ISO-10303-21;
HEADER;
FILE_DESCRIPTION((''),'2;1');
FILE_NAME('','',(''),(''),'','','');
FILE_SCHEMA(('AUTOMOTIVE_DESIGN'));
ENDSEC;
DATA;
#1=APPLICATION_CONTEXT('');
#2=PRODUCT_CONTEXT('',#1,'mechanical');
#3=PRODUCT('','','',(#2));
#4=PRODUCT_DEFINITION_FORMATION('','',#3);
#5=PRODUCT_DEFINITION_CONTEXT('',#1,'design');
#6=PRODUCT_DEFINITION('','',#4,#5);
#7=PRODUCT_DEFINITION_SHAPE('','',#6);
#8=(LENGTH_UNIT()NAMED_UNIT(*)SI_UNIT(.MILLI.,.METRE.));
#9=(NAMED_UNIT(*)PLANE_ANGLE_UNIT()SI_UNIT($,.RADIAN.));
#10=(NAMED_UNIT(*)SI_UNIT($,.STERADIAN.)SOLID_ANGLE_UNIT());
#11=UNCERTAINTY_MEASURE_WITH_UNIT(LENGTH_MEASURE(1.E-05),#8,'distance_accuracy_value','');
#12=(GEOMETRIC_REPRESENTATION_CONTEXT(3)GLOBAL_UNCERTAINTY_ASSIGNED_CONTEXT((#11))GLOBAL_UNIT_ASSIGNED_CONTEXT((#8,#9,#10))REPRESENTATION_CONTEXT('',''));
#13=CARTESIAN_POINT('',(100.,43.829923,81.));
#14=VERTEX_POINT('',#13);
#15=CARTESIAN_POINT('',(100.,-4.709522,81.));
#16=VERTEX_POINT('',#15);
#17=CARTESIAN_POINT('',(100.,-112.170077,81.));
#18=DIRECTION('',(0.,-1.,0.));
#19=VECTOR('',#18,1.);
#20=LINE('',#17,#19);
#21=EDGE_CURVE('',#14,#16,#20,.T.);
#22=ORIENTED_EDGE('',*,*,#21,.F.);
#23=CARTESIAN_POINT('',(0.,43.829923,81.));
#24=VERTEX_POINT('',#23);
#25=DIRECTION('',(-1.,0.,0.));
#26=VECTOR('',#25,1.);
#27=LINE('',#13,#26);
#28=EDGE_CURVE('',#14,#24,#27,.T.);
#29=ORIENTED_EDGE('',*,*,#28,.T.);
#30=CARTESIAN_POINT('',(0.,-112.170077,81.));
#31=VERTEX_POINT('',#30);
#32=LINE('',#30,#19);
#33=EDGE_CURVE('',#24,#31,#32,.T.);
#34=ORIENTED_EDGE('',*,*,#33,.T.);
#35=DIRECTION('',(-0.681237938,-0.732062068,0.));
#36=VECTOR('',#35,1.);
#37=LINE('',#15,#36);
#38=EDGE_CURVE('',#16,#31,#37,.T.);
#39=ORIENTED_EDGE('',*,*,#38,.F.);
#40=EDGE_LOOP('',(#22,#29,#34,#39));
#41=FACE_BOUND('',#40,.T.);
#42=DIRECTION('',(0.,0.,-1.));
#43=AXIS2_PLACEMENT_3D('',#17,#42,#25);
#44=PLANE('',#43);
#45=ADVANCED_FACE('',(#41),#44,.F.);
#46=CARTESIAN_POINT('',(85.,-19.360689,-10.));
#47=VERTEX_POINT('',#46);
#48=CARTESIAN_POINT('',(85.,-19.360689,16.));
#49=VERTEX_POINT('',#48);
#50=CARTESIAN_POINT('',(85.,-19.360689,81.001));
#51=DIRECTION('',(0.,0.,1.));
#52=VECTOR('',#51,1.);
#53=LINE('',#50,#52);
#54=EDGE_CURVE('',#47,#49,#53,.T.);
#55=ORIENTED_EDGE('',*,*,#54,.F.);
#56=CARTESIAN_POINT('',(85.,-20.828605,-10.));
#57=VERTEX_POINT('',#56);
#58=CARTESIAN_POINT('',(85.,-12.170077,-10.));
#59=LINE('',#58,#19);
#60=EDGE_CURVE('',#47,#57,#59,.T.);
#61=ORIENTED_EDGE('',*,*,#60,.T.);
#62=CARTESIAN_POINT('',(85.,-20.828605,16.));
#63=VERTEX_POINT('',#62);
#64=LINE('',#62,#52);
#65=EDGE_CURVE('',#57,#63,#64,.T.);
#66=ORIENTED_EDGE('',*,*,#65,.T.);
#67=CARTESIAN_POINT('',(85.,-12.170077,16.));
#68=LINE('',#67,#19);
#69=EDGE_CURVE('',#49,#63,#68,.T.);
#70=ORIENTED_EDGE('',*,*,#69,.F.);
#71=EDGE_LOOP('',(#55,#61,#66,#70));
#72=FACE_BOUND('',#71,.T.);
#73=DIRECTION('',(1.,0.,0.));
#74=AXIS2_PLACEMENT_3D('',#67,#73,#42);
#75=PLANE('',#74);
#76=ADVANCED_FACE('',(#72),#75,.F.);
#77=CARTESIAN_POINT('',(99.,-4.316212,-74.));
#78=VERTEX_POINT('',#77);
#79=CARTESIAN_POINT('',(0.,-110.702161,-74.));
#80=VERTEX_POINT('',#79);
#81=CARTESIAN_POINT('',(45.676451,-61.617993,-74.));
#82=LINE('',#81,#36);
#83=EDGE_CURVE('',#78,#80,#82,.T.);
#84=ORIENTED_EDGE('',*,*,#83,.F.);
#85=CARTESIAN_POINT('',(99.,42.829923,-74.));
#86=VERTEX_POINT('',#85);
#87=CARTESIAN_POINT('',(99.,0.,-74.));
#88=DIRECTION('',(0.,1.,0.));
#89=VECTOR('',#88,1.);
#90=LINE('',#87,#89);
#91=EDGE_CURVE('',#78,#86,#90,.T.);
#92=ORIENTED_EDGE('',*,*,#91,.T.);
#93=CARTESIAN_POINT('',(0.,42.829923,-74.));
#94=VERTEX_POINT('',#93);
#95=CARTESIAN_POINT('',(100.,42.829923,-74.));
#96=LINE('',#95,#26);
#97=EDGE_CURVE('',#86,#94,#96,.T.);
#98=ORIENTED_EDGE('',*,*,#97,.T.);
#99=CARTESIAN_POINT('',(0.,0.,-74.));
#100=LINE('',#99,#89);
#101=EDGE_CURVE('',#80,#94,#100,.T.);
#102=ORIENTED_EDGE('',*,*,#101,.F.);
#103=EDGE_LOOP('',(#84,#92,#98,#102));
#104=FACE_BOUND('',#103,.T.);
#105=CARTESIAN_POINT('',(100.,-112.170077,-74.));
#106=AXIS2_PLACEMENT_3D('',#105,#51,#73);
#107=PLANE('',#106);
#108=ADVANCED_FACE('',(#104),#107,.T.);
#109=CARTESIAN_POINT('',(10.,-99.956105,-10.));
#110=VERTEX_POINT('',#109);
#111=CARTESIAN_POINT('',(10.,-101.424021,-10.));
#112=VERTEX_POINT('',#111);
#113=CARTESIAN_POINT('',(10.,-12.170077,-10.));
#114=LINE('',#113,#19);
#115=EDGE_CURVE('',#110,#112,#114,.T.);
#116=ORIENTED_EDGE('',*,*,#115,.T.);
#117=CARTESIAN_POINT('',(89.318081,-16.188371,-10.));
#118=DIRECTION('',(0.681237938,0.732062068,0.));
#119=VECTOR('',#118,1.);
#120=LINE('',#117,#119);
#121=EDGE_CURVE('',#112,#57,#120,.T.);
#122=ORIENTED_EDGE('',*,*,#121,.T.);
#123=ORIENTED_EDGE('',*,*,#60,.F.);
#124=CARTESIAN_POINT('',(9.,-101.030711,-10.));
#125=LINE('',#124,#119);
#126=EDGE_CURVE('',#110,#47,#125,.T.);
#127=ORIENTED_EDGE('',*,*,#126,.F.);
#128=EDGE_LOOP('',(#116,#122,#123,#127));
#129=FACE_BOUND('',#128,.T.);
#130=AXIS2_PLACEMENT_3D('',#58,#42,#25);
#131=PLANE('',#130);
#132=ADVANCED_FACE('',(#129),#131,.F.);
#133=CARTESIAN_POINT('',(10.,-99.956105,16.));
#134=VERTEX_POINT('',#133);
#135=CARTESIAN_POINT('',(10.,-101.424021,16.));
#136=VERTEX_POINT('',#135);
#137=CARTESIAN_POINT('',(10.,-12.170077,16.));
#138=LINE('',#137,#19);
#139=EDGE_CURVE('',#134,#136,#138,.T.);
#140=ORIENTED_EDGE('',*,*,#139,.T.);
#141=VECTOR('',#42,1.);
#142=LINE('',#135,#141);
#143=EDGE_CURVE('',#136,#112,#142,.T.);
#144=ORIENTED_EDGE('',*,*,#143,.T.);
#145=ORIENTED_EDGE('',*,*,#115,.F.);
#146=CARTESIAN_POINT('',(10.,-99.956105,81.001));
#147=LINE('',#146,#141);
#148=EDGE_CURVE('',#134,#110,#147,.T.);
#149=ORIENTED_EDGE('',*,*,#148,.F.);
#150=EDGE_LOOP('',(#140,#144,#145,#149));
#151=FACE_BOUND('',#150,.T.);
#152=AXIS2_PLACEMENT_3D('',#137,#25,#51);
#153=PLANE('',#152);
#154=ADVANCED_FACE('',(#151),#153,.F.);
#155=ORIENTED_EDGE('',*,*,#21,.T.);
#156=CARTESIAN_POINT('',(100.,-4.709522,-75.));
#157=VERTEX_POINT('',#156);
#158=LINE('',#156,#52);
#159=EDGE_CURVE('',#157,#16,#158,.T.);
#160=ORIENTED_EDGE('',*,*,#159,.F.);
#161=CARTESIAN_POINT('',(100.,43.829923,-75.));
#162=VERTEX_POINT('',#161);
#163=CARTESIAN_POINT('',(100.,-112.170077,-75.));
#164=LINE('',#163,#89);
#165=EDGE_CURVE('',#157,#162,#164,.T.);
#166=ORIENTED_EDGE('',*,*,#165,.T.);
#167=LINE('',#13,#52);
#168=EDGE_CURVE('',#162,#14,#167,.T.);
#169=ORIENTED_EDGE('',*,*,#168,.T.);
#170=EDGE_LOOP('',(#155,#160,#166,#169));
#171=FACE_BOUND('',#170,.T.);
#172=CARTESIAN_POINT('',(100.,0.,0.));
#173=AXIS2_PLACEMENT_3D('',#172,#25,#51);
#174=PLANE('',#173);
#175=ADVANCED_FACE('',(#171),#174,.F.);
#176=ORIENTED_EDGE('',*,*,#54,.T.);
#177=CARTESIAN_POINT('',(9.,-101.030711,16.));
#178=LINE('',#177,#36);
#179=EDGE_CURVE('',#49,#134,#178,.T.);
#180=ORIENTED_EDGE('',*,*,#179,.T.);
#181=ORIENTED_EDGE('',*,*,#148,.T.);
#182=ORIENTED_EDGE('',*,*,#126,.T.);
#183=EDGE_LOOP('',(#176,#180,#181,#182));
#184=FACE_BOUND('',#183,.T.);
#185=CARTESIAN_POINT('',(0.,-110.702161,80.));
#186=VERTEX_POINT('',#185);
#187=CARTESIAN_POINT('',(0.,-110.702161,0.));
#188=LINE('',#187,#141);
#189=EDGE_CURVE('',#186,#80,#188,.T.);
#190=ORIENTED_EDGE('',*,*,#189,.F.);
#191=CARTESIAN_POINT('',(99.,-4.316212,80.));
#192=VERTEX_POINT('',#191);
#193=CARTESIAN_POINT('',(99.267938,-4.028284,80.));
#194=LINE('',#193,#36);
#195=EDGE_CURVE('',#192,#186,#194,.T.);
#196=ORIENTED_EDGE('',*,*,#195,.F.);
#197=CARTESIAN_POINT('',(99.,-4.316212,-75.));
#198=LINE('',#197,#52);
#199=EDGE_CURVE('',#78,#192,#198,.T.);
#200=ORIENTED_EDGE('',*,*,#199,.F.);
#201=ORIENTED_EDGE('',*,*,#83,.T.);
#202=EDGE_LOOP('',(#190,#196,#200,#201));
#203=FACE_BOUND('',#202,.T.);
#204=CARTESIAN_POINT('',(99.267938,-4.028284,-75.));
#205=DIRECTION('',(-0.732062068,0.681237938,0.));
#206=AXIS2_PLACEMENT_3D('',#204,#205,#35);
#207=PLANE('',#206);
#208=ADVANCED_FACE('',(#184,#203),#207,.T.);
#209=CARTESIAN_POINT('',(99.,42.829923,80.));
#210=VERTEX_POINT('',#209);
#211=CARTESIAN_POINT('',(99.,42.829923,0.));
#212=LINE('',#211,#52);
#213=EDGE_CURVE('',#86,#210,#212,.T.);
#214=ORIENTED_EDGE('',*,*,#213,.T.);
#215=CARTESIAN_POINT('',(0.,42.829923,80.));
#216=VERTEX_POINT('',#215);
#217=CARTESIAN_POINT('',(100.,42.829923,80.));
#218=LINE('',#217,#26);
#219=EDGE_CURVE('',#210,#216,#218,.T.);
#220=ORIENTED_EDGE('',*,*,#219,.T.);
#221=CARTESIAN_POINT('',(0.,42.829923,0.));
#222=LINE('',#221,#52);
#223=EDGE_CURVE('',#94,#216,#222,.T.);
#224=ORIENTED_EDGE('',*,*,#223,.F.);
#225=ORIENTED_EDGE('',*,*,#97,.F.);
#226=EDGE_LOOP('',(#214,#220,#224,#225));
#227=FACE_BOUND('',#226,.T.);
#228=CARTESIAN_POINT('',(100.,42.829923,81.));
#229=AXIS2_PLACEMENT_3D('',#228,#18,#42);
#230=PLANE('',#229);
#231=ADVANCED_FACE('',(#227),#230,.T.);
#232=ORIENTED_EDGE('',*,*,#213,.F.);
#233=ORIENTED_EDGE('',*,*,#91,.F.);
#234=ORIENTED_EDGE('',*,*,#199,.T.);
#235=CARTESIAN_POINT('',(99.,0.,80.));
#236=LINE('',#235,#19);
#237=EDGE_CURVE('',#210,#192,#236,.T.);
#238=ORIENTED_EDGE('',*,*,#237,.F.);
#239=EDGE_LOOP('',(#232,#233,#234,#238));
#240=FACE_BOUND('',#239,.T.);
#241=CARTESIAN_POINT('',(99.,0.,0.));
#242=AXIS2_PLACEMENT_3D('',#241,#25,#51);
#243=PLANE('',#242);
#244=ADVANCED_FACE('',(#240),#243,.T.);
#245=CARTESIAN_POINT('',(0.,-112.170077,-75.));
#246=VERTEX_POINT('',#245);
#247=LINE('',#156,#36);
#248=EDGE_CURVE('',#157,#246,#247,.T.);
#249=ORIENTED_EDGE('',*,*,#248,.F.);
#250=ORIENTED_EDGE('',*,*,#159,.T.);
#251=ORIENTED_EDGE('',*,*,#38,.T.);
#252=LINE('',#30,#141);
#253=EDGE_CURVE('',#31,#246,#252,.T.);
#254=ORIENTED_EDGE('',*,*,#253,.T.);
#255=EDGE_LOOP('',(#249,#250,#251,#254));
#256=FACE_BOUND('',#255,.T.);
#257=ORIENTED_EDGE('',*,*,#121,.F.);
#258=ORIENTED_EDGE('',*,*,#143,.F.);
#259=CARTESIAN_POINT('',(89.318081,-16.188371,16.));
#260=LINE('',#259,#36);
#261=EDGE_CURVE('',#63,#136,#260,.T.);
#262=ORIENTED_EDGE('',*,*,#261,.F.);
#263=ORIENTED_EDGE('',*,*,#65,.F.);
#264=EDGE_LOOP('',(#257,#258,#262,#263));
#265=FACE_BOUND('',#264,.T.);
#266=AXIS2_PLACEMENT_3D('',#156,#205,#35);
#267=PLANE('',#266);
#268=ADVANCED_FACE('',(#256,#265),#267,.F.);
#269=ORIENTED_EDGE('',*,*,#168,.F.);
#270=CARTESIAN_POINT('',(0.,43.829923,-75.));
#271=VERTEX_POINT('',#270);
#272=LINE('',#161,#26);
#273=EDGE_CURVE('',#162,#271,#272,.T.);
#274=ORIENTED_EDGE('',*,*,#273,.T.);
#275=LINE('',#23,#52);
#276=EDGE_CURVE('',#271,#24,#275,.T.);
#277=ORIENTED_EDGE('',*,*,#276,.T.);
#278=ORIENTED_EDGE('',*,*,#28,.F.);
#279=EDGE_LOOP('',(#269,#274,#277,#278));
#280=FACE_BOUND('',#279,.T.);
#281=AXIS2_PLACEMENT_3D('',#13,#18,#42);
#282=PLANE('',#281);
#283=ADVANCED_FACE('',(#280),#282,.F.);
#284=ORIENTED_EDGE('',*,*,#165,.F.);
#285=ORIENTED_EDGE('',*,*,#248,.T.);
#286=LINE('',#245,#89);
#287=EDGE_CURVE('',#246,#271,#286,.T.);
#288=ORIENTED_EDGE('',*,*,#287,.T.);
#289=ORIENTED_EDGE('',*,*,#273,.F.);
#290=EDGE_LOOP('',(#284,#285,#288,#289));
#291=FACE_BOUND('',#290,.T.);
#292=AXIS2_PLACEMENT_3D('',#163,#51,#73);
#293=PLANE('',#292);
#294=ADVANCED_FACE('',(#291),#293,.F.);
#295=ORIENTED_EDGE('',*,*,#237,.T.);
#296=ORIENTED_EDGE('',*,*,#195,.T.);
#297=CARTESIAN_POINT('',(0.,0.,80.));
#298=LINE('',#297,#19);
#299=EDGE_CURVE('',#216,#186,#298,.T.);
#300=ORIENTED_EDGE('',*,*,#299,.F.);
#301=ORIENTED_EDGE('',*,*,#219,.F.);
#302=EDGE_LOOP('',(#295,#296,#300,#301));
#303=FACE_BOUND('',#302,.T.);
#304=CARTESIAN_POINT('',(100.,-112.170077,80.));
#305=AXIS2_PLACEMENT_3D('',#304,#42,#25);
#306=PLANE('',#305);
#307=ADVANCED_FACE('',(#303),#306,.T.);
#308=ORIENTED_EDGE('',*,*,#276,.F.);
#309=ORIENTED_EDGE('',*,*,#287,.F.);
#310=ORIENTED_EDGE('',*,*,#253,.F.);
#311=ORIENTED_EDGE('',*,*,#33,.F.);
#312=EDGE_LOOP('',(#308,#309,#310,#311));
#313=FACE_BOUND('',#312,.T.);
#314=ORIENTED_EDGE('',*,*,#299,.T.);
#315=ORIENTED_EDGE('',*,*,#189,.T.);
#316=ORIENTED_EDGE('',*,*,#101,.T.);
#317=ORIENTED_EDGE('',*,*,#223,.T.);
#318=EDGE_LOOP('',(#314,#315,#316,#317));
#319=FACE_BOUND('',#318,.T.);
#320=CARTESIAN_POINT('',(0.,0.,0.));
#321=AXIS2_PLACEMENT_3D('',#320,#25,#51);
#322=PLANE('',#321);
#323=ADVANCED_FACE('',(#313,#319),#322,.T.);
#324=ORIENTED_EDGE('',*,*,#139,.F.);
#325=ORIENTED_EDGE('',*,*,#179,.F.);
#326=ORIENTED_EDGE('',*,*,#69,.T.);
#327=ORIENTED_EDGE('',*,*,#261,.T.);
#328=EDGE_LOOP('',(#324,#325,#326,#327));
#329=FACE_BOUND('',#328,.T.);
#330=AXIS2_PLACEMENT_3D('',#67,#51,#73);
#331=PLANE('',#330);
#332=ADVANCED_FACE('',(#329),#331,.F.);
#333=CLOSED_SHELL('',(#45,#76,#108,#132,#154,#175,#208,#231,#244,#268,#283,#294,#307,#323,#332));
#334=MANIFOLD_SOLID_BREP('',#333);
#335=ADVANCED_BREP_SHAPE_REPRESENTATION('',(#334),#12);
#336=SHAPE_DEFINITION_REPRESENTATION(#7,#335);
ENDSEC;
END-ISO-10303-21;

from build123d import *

# Parameters (mm, degrees)
ESQUISSE1_W              = 156
ESQUISSE1_H              = 156
BOSS_EXTRU_3_DEPTH       = 100
ESQUISSE5_W              = 75
ESQUISSE5_H              = 26
ENL_V_MAT_EXTRU_4_DEPTH  = 100
ENL_V_MAT_EXTRU_11_DEPTH = 217.60592354
COQUE6_T                 = -1
ENL_V_MAT_EXTRU_12_REACH = 178.199


with BuildPart() as part:
    # Esquisse1 → Boss.-Extru.3 (new body)
    with BuildSketch(Plane(origin=(0, 0, 0), x_dir=(0, 0, -1), z_dir=(1, 0, 0))):
        with Locations((-3, -34.170076726)):
            Rectangle(ESQUISSE1_W, ESQUISSE1_H)
    extrude(amount=BOSS_EXTRU_3_DEPTH)

    # Esquisse5 → Enlèv. mat.-Extru.4 (cut)
    with BuildSketch(Plane.XZ.offset(112.170076726)):
        with Locations((47.5, 3)):
            Rectangle(ESQUISSE5_W, ESQUISSE5_H)
    extrude(amount=-ENL_V_MAT_EXTRU_4_DEPTH, mode=Mode.SUBTRACT)

    # Esquisse8 → Enlèv. mat.-Extru.11 (cut, through all)
    with BuildSketch(Plane.XY.offset(81)):
        Polygon((100, -4.709521913), (0, -112.170076726), (100, -112.170076726), align=None)
    extrude(amount=-ENL_V_MAT_EXTRU_11_DEPTH, mode=Mode.SUBTRACT)

    # Coque6
    coque6_openings = [part.faces().sort_by_distance(p)[0] for p in [
        (0, -34.170076726, 3),
    ]]
    offset(amount=COQUE6_T, openings=coque6_openings, kind=Kind.INTERSECTION)

    # Esquisse10 → Enlèv. mat.-Extru.12 (cut, up to next)
    with BuildSketch(Plane(origin=(0, 0, -11), x_dir=(-1, 0, 0), z_dir=(0, 0, -1)), mode=Mode.PRIVATE) as enl_v_mat_extru_12_sk1:
        Polygon((-9, -101.030710895), (-86, -18.286083689), (-86, -11.170076726), (-9, -11.170076726), align=None)
    enl_v_mat_extru_12_tool1 = extrude(enl_v_mat_extru_12_sk1.sketch, amount=-ENL_V_MAT_EXTRU_12_REACH, mode=Mode.PRIVATE) & part.part
    add(enl_v_mat_extru_12_tool1.solids().sort_by_distance((36.55005, -41.297676, -11))[0], mode=Mode.SUBTRACT)


solid = part.part
